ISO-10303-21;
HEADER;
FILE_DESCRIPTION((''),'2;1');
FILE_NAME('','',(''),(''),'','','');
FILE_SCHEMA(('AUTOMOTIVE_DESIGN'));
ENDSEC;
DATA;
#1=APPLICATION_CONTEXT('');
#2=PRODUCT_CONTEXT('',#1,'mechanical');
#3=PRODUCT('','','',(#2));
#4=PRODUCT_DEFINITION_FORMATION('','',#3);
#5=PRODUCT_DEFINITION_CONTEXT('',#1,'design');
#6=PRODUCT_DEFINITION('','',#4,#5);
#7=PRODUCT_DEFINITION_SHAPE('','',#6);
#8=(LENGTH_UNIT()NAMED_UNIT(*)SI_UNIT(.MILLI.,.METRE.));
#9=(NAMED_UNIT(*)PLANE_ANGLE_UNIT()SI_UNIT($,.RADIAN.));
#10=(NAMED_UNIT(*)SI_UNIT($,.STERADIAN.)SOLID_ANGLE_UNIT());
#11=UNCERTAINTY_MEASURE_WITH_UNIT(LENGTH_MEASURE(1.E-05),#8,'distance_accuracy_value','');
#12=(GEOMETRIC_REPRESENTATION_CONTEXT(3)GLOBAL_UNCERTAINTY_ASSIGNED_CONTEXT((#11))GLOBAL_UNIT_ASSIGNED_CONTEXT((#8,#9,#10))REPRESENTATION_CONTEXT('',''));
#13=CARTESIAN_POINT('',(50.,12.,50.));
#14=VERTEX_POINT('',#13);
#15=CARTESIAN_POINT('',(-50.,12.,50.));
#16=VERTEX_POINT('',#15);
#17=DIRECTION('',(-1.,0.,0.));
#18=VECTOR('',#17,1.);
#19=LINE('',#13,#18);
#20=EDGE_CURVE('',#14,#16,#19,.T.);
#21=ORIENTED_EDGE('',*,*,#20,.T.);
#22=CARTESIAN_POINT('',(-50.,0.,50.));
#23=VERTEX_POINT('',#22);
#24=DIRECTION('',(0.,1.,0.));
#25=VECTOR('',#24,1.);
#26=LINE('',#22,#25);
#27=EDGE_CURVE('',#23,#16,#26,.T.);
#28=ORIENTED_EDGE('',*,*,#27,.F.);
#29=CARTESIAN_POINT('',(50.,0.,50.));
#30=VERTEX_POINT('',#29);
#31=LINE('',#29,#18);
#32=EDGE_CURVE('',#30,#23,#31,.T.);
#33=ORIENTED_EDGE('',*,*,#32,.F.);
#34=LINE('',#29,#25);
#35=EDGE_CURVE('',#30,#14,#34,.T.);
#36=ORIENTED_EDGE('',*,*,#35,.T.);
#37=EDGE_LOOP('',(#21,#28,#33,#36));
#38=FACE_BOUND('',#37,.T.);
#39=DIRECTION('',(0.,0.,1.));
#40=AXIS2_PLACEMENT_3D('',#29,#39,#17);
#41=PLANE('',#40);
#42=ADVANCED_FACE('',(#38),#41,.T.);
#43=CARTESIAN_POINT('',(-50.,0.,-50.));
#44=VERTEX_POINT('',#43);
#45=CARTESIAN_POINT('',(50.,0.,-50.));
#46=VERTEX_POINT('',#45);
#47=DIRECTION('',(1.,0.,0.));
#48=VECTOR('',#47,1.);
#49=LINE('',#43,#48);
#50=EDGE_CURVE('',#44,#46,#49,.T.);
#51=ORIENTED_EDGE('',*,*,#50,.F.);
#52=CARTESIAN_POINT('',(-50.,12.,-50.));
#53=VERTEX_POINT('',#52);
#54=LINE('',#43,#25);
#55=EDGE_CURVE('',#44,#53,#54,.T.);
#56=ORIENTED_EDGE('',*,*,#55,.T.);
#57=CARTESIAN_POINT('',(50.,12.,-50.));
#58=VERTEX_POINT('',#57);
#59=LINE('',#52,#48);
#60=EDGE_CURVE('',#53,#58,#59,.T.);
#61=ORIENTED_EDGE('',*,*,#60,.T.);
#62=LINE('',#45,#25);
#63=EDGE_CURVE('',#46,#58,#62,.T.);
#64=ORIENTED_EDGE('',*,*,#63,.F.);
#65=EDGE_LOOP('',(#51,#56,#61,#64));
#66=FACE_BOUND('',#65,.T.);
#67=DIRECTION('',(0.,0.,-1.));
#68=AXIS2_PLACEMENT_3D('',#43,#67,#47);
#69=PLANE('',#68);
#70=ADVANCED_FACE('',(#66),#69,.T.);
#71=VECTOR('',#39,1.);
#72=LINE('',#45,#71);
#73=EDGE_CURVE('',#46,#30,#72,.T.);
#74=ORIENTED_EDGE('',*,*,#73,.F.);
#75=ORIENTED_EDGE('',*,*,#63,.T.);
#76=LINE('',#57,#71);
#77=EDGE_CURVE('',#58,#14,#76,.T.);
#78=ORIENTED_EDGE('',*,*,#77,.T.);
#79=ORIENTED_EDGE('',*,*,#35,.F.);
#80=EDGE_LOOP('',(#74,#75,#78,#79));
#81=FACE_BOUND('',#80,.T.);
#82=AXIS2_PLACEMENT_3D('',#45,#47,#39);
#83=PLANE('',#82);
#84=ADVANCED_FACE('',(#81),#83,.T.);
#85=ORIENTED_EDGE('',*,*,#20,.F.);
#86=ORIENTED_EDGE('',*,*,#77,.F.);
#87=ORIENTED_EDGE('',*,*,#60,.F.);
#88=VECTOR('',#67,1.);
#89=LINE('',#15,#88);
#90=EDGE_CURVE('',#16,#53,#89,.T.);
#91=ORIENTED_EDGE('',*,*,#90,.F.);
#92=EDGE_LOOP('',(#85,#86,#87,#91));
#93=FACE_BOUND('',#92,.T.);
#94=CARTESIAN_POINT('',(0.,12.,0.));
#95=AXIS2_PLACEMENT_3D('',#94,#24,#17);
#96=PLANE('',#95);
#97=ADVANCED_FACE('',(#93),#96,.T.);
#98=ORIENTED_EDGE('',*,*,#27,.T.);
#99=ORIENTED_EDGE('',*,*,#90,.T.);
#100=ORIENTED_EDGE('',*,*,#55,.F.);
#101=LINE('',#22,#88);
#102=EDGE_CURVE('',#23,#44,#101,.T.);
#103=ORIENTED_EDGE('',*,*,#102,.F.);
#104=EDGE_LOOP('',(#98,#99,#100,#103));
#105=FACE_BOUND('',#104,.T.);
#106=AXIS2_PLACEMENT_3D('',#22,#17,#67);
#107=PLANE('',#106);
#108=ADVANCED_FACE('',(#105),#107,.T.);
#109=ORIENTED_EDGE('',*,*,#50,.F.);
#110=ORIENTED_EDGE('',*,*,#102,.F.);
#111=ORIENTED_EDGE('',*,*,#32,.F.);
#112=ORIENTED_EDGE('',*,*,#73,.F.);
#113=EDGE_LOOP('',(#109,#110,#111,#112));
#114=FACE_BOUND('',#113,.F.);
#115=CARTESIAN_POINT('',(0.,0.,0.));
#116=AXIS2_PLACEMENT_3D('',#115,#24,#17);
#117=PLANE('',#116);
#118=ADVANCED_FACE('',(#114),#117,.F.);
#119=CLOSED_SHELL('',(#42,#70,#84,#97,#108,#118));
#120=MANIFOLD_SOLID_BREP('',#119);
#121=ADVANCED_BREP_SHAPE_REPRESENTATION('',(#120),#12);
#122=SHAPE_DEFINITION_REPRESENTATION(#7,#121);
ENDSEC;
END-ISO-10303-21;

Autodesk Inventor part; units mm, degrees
ref_plane "YZ Plane" through (0, 0, 0) normal (1, 0, 0) x (0, 1, 0)
ref_plane "XZ Plane" through (0, 0, 0) normal (0, 1, 0) x (-1, 0, 0)
ref_plane "XY Plane" through (0, 0, 0) normal (0, 0, 1) x (1, 0, 0)
sketch "Sketch1" plane through (0, 0, 0) normal (0, 1, 0) x (-1, 0, 0)
  line L0 (70, 0) -> (-70, 0) construction
  line L1 (0, -70) -> (0, 70) construction
  line L2 (-50, 50) -> (50, 50)
  line L3 (50, 50) -> (50, -50)
  line L4 (50, -50) -> (-50, -50)
  line L5 (-50, -50) -> (-50, 50)
  line L6 (-50, 50) -> (50, -50) construction
  line L7 (50, 50) -> (-50, -50) construction
  point P0 (0, 0)
  dimension "d0" = 100
extrude "Extrusion1" add sketch "Sketch1" along normal blind 12
properties part number "Manual_NC_REF"
